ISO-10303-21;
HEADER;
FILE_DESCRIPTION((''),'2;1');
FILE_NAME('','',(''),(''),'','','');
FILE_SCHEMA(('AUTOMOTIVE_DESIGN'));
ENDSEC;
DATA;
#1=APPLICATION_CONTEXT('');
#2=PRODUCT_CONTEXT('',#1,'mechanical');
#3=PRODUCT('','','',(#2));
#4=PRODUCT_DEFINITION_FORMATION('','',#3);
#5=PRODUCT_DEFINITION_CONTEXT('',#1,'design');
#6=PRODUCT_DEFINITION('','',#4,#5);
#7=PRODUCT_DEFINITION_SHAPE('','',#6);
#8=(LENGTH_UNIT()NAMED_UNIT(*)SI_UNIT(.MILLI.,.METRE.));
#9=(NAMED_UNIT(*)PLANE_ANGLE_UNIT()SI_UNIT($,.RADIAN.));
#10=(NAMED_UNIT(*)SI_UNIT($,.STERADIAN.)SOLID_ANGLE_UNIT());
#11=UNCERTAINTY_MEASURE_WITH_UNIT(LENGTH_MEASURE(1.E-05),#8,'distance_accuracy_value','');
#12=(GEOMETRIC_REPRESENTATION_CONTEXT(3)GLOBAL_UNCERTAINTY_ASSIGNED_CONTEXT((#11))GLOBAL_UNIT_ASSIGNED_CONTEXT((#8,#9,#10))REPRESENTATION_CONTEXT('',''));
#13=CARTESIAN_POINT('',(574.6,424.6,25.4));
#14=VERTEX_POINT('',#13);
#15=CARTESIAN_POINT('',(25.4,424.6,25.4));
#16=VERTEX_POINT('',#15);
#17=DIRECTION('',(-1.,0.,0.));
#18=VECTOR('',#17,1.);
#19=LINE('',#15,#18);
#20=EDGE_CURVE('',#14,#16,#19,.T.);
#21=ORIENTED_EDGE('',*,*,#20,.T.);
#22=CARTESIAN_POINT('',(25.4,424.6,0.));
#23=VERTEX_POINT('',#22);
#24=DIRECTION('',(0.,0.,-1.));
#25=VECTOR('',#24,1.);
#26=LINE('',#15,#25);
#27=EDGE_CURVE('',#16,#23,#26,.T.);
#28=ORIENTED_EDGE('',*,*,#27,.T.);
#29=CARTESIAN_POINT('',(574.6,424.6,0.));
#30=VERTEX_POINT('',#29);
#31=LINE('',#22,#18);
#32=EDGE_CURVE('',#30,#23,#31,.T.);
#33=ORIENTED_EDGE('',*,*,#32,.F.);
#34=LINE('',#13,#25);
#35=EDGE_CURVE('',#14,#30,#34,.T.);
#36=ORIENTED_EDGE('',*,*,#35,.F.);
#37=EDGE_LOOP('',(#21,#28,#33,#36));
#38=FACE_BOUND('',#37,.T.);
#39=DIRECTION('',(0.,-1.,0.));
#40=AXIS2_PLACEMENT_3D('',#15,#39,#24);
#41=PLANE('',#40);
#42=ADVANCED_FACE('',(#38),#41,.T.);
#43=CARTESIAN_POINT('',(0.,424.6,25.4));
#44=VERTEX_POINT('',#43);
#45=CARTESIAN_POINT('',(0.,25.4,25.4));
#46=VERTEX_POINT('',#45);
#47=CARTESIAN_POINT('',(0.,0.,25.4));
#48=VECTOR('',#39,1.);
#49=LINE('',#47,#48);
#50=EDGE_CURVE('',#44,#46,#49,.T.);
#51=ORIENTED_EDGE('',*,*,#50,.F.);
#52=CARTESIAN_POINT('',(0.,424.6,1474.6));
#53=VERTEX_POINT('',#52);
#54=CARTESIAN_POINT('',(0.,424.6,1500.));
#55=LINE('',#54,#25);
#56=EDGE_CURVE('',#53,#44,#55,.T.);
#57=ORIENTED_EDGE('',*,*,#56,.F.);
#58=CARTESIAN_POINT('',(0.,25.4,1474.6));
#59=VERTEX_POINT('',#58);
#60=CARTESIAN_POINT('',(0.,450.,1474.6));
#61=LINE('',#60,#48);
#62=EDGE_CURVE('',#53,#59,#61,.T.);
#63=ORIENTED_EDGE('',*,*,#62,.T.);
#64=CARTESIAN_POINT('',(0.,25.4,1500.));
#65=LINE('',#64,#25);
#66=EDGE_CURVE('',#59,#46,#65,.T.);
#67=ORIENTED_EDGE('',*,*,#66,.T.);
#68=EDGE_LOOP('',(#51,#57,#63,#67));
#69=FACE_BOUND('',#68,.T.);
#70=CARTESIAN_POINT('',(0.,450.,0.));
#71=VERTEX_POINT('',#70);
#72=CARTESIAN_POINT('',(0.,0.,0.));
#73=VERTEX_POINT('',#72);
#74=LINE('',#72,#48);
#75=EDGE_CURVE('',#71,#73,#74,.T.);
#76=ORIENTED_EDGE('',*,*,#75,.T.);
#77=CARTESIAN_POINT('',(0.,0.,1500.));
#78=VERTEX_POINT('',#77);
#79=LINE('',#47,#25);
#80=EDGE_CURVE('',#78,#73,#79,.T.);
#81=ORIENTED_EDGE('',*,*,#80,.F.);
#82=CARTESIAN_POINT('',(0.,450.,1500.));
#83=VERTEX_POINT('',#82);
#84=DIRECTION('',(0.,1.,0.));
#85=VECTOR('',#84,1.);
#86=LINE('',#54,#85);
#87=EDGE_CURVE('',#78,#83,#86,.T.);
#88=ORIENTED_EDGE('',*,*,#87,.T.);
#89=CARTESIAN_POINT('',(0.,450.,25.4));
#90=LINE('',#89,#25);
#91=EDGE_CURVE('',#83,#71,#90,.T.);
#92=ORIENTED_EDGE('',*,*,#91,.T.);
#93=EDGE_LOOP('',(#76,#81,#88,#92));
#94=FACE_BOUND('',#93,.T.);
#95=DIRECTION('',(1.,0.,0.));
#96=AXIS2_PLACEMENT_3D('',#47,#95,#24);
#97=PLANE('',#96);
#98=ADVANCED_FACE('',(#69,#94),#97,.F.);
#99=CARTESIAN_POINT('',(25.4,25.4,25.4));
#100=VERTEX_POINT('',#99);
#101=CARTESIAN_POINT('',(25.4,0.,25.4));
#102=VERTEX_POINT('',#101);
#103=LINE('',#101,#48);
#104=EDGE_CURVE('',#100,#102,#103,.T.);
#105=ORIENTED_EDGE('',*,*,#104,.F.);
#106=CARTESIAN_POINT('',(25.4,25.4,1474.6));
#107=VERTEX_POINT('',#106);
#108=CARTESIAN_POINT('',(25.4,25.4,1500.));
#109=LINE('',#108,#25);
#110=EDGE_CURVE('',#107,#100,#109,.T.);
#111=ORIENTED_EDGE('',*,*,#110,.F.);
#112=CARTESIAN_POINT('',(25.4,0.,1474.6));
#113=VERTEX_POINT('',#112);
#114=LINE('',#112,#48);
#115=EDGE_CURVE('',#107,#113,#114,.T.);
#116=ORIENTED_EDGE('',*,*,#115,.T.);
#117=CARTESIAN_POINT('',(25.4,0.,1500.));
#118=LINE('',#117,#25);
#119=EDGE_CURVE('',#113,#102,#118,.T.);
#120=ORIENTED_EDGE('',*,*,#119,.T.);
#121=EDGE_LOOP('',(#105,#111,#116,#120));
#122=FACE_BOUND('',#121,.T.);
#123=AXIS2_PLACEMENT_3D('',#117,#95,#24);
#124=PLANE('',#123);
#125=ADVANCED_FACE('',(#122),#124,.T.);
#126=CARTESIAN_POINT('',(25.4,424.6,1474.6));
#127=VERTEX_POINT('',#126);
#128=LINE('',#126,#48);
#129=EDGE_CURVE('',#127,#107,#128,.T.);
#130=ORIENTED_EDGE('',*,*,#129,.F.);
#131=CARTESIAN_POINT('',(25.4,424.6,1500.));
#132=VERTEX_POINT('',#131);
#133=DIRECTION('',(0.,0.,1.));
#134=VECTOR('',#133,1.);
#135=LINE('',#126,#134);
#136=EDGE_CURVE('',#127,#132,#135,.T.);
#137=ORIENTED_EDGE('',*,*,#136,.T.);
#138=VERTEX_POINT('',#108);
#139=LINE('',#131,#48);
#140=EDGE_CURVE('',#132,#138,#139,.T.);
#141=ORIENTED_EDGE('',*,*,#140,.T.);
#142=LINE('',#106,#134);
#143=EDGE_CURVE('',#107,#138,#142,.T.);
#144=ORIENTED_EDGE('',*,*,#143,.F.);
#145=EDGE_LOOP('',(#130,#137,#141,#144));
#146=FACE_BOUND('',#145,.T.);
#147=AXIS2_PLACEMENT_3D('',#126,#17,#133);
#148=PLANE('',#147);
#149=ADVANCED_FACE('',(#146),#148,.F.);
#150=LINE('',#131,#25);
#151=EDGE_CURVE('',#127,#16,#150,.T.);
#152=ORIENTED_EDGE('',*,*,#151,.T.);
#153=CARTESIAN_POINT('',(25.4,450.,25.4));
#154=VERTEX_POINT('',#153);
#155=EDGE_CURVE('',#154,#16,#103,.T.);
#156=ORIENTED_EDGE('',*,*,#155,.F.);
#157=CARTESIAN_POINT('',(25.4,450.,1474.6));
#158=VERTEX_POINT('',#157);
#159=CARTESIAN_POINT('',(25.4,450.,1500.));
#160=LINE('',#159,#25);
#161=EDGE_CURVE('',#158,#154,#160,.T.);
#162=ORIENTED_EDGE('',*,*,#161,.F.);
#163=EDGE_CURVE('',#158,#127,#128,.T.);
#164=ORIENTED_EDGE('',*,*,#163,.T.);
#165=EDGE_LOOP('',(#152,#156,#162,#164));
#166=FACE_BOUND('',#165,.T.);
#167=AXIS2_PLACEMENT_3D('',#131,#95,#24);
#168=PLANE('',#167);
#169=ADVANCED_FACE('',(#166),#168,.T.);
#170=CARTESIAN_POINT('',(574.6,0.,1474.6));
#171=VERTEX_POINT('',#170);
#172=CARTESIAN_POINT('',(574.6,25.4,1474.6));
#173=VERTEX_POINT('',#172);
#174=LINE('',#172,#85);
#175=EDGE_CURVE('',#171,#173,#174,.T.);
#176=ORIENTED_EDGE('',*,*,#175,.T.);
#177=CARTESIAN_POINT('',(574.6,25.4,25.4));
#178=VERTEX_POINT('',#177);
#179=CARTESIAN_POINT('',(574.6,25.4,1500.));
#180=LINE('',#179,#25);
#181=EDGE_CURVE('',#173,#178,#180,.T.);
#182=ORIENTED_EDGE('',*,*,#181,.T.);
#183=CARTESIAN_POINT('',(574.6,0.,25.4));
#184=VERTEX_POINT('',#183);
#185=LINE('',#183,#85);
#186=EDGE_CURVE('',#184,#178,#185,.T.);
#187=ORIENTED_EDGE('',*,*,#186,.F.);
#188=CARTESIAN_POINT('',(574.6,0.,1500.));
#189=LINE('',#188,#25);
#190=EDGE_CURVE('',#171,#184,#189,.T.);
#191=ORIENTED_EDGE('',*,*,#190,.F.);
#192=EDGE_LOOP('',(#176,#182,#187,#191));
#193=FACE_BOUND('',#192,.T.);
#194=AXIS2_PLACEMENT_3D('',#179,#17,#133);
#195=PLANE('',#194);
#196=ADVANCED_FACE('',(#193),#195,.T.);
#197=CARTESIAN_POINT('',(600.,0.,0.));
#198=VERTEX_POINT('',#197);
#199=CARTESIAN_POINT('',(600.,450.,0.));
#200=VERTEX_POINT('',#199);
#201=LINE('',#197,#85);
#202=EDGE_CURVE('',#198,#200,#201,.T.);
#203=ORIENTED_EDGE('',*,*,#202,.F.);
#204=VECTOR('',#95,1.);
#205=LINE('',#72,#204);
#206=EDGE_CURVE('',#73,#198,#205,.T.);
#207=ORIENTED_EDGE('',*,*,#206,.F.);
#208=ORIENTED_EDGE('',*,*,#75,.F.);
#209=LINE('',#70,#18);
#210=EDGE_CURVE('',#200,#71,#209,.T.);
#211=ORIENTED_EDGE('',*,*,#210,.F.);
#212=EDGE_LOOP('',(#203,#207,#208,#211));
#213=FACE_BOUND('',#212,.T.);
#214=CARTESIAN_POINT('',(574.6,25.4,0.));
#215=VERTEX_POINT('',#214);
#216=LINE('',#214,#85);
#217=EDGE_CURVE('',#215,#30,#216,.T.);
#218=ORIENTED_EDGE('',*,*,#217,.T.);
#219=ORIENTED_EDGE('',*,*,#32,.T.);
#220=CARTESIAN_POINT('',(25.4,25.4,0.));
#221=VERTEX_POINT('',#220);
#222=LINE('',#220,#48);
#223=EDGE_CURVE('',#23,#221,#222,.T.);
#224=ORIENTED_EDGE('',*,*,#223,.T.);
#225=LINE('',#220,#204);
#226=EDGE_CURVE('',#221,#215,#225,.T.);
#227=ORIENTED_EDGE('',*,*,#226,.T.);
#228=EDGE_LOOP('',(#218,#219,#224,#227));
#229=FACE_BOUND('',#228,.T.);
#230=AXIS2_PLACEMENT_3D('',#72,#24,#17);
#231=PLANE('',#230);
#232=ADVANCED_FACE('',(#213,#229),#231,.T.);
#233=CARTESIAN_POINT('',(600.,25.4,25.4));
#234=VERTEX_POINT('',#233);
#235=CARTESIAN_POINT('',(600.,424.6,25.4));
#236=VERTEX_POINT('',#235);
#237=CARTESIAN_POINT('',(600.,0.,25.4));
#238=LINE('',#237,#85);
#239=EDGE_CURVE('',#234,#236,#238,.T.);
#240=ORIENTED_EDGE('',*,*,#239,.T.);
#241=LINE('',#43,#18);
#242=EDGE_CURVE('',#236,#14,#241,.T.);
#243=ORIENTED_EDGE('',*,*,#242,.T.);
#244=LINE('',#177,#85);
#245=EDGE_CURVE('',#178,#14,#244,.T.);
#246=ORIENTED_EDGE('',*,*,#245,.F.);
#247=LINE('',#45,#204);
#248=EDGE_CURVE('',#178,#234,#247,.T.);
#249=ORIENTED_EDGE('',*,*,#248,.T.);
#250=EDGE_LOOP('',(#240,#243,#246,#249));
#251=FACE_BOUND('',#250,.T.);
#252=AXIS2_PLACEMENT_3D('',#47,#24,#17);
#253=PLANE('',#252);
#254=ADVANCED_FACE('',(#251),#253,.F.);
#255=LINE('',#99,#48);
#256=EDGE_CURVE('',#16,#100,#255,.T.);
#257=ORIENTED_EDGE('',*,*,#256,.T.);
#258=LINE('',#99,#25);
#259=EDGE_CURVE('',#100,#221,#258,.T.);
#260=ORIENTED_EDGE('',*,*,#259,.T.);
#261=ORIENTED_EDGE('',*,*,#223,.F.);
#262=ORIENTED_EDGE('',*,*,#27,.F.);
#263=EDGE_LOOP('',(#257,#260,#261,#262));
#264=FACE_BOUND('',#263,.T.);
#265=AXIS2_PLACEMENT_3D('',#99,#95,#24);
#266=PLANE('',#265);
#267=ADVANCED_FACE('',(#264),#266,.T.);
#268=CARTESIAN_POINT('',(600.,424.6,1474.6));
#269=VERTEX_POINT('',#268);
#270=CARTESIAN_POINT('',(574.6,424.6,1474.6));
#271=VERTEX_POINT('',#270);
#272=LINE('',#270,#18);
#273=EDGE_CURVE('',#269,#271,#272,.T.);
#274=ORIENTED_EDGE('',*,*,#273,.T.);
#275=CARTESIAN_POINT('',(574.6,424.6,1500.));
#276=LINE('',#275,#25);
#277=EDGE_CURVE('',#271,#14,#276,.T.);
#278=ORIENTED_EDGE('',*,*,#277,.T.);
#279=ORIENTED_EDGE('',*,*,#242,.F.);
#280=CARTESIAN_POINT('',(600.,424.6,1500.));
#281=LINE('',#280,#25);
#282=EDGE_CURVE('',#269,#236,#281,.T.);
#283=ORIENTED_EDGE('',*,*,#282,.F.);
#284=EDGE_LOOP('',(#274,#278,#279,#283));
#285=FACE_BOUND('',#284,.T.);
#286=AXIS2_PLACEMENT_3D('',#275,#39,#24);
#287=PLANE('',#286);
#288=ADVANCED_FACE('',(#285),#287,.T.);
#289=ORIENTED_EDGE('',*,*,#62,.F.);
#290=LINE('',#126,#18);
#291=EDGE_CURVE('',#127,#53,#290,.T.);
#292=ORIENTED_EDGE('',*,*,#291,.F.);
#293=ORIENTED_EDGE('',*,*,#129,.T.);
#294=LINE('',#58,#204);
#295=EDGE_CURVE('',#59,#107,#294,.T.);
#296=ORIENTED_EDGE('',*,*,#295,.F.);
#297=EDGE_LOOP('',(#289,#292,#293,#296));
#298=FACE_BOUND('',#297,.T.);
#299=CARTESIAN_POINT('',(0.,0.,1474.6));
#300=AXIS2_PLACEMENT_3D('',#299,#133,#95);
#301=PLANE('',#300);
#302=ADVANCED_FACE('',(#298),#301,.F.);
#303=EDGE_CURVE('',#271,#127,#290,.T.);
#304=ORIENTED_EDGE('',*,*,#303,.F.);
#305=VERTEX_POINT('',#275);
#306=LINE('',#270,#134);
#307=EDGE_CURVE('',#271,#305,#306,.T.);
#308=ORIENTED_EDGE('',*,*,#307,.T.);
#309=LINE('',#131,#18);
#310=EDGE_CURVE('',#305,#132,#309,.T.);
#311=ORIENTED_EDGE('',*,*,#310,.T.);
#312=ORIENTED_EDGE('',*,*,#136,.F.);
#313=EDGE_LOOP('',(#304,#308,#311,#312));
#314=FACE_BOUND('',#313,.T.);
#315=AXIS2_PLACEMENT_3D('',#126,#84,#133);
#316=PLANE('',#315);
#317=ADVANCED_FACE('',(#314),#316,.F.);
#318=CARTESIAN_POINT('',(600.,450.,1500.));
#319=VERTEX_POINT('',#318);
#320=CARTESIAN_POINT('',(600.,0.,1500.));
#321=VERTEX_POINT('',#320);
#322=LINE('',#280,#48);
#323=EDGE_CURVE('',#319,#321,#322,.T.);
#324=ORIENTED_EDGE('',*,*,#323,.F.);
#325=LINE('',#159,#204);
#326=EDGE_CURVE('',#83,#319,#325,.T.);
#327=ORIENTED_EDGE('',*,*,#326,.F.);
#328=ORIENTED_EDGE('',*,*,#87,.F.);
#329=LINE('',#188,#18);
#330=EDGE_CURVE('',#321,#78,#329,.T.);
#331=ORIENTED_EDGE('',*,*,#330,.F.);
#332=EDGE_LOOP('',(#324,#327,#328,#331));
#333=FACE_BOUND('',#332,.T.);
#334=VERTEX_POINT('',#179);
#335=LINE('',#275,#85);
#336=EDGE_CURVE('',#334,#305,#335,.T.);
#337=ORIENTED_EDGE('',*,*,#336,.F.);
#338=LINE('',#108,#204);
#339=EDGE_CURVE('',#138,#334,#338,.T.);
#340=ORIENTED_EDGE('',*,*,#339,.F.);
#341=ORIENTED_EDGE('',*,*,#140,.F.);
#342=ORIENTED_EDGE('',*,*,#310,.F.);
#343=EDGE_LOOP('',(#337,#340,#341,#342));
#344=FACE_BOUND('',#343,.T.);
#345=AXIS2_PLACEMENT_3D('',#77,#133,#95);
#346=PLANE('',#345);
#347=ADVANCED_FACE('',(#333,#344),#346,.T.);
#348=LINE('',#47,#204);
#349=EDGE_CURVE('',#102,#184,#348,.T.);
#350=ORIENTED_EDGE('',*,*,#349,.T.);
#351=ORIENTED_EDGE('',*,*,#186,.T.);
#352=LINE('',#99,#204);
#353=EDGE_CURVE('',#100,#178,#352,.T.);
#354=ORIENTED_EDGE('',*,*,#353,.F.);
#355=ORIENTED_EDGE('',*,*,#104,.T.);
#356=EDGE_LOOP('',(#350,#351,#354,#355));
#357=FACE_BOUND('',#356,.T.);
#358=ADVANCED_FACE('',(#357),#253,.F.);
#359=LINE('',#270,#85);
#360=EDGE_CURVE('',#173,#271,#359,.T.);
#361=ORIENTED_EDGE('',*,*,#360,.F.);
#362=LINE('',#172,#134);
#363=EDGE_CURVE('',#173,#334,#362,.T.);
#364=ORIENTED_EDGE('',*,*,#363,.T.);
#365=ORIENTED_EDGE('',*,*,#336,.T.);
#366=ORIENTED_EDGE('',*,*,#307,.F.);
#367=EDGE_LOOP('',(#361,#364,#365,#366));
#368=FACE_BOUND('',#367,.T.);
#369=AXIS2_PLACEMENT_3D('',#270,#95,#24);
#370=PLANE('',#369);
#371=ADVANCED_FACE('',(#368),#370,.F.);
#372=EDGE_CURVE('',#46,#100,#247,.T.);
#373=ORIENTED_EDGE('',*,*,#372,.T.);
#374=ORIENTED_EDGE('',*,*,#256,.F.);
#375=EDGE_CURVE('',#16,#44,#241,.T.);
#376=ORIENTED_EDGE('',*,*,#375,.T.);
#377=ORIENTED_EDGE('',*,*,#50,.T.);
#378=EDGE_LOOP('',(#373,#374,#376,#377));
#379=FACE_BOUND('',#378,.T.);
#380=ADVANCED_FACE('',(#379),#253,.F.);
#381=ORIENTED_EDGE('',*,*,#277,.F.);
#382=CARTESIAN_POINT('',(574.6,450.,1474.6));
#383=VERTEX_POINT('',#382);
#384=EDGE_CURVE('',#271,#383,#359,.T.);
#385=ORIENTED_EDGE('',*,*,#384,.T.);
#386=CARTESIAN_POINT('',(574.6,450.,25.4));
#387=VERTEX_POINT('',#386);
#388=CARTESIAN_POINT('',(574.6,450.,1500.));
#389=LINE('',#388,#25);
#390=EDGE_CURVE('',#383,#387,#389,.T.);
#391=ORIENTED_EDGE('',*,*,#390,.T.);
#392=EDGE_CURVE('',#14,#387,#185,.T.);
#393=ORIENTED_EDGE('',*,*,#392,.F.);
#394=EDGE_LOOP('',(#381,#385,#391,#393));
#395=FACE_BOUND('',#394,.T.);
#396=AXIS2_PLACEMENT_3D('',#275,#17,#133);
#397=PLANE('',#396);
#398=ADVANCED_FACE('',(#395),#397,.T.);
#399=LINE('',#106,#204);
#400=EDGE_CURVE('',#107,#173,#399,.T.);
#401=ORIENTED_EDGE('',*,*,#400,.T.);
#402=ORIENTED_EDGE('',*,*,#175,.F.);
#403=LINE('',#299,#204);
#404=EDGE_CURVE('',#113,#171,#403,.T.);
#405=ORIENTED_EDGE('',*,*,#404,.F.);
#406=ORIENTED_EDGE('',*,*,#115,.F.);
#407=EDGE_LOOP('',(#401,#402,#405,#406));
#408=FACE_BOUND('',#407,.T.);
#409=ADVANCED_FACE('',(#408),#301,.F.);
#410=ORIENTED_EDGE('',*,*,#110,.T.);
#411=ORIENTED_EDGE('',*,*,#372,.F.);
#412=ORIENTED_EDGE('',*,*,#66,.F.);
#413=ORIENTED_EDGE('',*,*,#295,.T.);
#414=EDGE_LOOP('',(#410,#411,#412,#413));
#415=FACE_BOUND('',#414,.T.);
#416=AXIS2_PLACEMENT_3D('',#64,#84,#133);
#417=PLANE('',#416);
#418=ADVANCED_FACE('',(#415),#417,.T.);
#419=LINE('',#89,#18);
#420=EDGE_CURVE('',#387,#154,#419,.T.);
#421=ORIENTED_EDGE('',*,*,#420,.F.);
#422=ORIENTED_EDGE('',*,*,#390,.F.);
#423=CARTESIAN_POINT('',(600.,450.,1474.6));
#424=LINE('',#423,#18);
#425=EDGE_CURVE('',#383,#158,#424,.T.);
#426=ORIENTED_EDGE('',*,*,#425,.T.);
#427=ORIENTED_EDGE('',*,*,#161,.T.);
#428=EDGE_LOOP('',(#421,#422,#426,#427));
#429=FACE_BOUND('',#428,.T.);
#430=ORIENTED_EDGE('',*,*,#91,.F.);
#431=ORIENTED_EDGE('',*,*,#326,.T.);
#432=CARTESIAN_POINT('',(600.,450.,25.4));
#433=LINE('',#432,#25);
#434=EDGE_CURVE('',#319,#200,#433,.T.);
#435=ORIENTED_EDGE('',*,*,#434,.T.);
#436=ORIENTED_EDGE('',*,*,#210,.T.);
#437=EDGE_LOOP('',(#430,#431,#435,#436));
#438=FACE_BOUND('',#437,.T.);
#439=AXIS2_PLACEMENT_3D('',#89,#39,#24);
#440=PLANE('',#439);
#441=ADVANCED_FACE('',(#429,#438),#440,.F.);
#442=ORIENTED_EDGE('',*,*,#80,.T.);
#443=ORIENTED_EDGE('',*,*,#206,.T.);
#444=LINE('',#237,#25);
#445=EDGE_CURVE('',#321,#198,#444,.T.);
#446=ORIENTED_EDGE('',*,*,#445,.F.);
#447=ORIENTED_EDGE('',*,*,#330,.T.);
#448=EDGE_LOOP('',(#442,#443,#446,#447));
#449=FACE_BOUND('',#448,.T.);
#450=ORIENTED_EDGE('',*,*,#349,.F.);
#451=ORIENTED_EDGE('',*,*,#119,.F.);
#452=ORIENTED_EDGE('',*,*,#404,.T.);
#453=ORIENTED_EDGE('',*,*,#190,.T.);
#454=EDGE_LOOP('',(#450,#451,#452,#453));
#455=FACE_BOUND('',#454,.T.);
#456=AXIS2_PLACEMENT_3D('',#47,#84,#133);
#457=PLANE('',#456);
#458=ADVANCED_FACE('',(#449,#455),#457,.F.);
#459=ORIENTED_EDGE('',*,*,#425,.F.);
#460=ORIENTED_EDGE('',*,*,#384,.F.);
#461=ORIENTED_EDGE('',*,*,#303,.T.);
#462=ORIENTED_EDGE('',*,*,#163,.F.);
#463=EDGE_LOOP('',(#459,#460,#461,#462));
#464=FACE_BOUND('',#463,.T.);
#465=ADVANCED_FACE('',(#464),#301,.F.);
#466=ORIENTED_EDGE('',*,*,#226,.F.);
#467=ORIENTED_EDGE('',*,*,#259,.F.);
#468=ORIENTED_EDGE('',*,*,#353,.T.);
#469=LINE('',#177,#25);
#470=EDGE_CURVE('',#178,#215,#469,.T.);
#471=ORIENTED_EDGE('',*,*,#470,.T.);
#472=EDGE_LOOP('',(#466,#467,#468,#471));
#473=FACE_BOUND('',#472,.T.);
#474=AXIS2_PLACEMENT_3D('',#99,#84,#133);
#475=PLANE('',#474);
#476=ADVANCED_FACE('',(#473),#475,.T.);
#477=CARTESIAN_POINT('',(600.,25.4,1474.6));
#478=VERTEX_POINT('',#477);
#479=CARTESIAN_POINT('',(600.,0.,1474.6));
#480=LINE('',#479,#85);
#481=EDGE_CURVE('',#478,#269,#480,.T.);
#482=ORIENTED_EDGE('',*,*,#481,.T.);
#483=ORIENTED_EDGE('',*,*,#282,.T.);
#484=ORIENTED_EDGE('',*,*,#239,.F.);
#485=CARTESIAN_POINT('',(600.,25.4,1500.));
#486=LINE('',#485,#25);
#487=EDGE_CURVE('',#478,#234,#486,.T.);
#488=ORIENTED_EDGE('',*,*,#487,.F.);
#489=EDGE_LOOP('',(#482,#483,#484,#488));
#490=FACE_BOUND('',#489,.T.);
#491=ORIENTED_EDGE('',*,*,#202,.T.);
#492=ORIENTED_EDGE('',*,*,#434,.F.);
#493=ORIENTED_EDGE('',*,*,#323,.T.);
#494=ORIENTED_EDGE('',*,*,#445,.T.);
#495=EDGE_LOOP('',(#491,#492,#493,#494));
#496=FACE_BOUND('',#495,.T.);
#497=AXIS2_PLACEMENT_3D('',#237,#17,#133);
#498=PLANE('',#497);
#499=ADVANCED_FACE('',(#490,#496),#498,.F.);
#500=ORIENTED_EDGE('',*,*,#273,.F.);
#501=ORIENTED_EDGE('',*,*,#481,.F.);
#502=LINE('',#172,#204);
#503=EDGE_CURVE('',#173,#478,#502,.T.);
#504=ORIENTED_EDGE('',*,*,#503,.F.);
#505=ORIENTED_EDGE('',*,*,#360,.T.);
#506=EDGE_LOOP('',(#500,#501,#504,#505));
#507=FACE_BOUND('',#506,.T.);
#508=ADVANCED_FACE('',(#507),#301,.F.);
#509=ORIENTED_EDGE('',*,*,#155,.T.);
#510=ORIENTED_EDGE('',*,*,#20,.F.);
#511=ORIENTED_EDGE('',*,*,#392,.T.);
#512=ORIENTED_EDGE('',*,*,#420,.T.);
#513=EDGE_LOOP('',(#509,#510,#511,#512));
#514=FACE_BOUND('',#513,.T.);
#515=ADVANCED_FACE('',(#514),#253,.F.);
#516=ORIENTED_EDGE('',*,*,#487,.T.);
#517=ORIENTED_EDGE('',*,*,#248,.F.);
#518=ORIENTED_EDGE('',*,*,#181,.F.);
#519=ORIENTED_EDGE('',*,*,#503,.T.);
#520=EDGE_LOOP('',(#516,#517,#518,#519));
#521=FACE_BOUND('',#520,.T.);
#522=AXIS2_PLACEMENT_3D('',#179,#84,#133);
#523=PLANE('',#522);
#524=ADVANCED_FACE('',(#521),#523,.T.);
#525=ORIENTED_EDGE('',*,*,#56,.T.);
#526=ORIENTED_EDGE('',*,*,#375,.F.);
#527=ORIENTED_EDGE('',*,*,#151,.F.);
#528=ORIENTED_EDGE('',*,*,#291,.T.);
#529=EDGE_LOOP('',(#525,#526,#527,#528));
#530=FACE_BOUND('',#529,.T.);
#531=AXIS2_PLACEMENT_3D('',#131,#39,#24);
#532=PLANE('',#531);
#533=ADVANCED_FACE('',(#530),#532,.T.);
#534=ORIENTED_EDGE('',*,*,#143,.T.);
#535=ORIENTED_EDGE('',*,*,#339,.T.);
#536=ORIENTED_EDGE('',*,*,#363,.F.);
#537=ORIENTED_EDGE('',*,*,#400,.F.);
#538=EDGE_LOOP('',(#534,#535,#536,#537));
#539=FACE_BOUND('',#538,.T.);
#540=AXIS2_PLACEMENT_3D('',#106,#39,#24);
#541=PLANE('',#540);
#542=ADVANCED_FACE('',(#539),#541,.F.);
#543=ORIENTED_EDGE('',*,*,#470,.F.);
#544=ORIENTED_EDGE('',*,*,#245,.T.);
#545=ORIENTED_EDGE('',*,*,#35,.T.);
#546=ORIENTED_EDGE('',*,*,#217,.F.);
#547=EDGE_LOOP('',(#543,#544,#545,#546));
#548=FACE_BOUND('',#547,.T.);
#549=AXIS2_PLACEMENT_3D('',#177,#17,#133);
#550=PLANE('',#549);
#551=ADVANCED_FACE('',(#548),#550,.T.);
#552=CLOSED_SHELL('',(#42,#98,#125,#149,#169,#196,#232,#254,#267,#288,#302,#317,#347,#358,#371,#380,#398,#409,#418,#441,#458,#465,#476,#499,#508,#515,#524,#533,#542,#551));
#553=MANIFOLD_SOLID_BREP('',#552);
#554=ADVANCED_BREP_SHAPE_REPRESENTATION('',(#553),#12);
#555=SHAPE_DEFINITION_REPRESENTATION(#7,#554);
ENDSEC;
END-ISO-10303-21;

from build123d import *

# Parameters (mm, degrees)
SKETCH1_W           = 600
SKETCH1_H           = 450
SKETCH1_W_2         = 549.2
SKETCH1_H_2         = 399.2
BOSS_EXTRUDE1_DEPTH = 25.4
SKETCH2_W           = 25.4
SKETCH2_H           = 25.4
BOSS_EXTRUDE2_DEPTH = 1500
SKETCH3_W           = 600
SKETCH3_H           = 450
SKETCH3_W_2         = 549.2
SKETCH3_H_2         = 399.2
BOSS_EXTRUDE3_DEPTH = 25.4


with BuildPart() as part:
    # Sketch1 → Boss-Extrude1 (new body)
    with BuildSketch(Plane.XY):
        with Locations((300, 225)):
            Rectangle(SKETCH1_W, SKETCH1_H)
        with Locations((300, 225)):
            Rectangle(SKETCH1_W_2, SKETCH1_H_2, mode=Mode.SUBTRACT)
    extrude(amount=BOSS_EXTRUDE1_DEPTH)

    # Sketch2 → Boss-Extrude2 (add)
    with BuildSketch(Plane(origin=(0, 0, 0), x_dir=(-1, 0, 0), z_dir=(0, 0, -1))):
        with Locations((-12.7, 437.3)):
            Rectangle(SKETCH2_W, SKETCH2_H)
        with Locations((-587.3, 437.3)):
            Rectangle(SKETCH2_W, SKETCH2_H)
        with Locations((-587.3, 12.7)):
            Rectangle(SKETCH2_W, SKETCH2_H)
        with Locations((-12.7, 12.7)):
            Rectangle(SKETCH2_W, SKETCH2_H)
    extrude(amount=-BOSS_EXTRUDE2_DEPTH)

    # Sketch3 → Boss-Extrude3 (add)
    with BuildSketch(Plane.XY.offset(1500)):
        with Locations((300, 225)):
            Rectangle(SKETCH3_W, SKETCH3_H)
        with Locations((300, 225)):
            Rectangle(SKETCH3_W_2, SKETCH3_H_2, mode=Mode.SUBTRACT)
    extrude(amount=-BOSS_EXTRUDE3_DEPTH)


solid = part.part
